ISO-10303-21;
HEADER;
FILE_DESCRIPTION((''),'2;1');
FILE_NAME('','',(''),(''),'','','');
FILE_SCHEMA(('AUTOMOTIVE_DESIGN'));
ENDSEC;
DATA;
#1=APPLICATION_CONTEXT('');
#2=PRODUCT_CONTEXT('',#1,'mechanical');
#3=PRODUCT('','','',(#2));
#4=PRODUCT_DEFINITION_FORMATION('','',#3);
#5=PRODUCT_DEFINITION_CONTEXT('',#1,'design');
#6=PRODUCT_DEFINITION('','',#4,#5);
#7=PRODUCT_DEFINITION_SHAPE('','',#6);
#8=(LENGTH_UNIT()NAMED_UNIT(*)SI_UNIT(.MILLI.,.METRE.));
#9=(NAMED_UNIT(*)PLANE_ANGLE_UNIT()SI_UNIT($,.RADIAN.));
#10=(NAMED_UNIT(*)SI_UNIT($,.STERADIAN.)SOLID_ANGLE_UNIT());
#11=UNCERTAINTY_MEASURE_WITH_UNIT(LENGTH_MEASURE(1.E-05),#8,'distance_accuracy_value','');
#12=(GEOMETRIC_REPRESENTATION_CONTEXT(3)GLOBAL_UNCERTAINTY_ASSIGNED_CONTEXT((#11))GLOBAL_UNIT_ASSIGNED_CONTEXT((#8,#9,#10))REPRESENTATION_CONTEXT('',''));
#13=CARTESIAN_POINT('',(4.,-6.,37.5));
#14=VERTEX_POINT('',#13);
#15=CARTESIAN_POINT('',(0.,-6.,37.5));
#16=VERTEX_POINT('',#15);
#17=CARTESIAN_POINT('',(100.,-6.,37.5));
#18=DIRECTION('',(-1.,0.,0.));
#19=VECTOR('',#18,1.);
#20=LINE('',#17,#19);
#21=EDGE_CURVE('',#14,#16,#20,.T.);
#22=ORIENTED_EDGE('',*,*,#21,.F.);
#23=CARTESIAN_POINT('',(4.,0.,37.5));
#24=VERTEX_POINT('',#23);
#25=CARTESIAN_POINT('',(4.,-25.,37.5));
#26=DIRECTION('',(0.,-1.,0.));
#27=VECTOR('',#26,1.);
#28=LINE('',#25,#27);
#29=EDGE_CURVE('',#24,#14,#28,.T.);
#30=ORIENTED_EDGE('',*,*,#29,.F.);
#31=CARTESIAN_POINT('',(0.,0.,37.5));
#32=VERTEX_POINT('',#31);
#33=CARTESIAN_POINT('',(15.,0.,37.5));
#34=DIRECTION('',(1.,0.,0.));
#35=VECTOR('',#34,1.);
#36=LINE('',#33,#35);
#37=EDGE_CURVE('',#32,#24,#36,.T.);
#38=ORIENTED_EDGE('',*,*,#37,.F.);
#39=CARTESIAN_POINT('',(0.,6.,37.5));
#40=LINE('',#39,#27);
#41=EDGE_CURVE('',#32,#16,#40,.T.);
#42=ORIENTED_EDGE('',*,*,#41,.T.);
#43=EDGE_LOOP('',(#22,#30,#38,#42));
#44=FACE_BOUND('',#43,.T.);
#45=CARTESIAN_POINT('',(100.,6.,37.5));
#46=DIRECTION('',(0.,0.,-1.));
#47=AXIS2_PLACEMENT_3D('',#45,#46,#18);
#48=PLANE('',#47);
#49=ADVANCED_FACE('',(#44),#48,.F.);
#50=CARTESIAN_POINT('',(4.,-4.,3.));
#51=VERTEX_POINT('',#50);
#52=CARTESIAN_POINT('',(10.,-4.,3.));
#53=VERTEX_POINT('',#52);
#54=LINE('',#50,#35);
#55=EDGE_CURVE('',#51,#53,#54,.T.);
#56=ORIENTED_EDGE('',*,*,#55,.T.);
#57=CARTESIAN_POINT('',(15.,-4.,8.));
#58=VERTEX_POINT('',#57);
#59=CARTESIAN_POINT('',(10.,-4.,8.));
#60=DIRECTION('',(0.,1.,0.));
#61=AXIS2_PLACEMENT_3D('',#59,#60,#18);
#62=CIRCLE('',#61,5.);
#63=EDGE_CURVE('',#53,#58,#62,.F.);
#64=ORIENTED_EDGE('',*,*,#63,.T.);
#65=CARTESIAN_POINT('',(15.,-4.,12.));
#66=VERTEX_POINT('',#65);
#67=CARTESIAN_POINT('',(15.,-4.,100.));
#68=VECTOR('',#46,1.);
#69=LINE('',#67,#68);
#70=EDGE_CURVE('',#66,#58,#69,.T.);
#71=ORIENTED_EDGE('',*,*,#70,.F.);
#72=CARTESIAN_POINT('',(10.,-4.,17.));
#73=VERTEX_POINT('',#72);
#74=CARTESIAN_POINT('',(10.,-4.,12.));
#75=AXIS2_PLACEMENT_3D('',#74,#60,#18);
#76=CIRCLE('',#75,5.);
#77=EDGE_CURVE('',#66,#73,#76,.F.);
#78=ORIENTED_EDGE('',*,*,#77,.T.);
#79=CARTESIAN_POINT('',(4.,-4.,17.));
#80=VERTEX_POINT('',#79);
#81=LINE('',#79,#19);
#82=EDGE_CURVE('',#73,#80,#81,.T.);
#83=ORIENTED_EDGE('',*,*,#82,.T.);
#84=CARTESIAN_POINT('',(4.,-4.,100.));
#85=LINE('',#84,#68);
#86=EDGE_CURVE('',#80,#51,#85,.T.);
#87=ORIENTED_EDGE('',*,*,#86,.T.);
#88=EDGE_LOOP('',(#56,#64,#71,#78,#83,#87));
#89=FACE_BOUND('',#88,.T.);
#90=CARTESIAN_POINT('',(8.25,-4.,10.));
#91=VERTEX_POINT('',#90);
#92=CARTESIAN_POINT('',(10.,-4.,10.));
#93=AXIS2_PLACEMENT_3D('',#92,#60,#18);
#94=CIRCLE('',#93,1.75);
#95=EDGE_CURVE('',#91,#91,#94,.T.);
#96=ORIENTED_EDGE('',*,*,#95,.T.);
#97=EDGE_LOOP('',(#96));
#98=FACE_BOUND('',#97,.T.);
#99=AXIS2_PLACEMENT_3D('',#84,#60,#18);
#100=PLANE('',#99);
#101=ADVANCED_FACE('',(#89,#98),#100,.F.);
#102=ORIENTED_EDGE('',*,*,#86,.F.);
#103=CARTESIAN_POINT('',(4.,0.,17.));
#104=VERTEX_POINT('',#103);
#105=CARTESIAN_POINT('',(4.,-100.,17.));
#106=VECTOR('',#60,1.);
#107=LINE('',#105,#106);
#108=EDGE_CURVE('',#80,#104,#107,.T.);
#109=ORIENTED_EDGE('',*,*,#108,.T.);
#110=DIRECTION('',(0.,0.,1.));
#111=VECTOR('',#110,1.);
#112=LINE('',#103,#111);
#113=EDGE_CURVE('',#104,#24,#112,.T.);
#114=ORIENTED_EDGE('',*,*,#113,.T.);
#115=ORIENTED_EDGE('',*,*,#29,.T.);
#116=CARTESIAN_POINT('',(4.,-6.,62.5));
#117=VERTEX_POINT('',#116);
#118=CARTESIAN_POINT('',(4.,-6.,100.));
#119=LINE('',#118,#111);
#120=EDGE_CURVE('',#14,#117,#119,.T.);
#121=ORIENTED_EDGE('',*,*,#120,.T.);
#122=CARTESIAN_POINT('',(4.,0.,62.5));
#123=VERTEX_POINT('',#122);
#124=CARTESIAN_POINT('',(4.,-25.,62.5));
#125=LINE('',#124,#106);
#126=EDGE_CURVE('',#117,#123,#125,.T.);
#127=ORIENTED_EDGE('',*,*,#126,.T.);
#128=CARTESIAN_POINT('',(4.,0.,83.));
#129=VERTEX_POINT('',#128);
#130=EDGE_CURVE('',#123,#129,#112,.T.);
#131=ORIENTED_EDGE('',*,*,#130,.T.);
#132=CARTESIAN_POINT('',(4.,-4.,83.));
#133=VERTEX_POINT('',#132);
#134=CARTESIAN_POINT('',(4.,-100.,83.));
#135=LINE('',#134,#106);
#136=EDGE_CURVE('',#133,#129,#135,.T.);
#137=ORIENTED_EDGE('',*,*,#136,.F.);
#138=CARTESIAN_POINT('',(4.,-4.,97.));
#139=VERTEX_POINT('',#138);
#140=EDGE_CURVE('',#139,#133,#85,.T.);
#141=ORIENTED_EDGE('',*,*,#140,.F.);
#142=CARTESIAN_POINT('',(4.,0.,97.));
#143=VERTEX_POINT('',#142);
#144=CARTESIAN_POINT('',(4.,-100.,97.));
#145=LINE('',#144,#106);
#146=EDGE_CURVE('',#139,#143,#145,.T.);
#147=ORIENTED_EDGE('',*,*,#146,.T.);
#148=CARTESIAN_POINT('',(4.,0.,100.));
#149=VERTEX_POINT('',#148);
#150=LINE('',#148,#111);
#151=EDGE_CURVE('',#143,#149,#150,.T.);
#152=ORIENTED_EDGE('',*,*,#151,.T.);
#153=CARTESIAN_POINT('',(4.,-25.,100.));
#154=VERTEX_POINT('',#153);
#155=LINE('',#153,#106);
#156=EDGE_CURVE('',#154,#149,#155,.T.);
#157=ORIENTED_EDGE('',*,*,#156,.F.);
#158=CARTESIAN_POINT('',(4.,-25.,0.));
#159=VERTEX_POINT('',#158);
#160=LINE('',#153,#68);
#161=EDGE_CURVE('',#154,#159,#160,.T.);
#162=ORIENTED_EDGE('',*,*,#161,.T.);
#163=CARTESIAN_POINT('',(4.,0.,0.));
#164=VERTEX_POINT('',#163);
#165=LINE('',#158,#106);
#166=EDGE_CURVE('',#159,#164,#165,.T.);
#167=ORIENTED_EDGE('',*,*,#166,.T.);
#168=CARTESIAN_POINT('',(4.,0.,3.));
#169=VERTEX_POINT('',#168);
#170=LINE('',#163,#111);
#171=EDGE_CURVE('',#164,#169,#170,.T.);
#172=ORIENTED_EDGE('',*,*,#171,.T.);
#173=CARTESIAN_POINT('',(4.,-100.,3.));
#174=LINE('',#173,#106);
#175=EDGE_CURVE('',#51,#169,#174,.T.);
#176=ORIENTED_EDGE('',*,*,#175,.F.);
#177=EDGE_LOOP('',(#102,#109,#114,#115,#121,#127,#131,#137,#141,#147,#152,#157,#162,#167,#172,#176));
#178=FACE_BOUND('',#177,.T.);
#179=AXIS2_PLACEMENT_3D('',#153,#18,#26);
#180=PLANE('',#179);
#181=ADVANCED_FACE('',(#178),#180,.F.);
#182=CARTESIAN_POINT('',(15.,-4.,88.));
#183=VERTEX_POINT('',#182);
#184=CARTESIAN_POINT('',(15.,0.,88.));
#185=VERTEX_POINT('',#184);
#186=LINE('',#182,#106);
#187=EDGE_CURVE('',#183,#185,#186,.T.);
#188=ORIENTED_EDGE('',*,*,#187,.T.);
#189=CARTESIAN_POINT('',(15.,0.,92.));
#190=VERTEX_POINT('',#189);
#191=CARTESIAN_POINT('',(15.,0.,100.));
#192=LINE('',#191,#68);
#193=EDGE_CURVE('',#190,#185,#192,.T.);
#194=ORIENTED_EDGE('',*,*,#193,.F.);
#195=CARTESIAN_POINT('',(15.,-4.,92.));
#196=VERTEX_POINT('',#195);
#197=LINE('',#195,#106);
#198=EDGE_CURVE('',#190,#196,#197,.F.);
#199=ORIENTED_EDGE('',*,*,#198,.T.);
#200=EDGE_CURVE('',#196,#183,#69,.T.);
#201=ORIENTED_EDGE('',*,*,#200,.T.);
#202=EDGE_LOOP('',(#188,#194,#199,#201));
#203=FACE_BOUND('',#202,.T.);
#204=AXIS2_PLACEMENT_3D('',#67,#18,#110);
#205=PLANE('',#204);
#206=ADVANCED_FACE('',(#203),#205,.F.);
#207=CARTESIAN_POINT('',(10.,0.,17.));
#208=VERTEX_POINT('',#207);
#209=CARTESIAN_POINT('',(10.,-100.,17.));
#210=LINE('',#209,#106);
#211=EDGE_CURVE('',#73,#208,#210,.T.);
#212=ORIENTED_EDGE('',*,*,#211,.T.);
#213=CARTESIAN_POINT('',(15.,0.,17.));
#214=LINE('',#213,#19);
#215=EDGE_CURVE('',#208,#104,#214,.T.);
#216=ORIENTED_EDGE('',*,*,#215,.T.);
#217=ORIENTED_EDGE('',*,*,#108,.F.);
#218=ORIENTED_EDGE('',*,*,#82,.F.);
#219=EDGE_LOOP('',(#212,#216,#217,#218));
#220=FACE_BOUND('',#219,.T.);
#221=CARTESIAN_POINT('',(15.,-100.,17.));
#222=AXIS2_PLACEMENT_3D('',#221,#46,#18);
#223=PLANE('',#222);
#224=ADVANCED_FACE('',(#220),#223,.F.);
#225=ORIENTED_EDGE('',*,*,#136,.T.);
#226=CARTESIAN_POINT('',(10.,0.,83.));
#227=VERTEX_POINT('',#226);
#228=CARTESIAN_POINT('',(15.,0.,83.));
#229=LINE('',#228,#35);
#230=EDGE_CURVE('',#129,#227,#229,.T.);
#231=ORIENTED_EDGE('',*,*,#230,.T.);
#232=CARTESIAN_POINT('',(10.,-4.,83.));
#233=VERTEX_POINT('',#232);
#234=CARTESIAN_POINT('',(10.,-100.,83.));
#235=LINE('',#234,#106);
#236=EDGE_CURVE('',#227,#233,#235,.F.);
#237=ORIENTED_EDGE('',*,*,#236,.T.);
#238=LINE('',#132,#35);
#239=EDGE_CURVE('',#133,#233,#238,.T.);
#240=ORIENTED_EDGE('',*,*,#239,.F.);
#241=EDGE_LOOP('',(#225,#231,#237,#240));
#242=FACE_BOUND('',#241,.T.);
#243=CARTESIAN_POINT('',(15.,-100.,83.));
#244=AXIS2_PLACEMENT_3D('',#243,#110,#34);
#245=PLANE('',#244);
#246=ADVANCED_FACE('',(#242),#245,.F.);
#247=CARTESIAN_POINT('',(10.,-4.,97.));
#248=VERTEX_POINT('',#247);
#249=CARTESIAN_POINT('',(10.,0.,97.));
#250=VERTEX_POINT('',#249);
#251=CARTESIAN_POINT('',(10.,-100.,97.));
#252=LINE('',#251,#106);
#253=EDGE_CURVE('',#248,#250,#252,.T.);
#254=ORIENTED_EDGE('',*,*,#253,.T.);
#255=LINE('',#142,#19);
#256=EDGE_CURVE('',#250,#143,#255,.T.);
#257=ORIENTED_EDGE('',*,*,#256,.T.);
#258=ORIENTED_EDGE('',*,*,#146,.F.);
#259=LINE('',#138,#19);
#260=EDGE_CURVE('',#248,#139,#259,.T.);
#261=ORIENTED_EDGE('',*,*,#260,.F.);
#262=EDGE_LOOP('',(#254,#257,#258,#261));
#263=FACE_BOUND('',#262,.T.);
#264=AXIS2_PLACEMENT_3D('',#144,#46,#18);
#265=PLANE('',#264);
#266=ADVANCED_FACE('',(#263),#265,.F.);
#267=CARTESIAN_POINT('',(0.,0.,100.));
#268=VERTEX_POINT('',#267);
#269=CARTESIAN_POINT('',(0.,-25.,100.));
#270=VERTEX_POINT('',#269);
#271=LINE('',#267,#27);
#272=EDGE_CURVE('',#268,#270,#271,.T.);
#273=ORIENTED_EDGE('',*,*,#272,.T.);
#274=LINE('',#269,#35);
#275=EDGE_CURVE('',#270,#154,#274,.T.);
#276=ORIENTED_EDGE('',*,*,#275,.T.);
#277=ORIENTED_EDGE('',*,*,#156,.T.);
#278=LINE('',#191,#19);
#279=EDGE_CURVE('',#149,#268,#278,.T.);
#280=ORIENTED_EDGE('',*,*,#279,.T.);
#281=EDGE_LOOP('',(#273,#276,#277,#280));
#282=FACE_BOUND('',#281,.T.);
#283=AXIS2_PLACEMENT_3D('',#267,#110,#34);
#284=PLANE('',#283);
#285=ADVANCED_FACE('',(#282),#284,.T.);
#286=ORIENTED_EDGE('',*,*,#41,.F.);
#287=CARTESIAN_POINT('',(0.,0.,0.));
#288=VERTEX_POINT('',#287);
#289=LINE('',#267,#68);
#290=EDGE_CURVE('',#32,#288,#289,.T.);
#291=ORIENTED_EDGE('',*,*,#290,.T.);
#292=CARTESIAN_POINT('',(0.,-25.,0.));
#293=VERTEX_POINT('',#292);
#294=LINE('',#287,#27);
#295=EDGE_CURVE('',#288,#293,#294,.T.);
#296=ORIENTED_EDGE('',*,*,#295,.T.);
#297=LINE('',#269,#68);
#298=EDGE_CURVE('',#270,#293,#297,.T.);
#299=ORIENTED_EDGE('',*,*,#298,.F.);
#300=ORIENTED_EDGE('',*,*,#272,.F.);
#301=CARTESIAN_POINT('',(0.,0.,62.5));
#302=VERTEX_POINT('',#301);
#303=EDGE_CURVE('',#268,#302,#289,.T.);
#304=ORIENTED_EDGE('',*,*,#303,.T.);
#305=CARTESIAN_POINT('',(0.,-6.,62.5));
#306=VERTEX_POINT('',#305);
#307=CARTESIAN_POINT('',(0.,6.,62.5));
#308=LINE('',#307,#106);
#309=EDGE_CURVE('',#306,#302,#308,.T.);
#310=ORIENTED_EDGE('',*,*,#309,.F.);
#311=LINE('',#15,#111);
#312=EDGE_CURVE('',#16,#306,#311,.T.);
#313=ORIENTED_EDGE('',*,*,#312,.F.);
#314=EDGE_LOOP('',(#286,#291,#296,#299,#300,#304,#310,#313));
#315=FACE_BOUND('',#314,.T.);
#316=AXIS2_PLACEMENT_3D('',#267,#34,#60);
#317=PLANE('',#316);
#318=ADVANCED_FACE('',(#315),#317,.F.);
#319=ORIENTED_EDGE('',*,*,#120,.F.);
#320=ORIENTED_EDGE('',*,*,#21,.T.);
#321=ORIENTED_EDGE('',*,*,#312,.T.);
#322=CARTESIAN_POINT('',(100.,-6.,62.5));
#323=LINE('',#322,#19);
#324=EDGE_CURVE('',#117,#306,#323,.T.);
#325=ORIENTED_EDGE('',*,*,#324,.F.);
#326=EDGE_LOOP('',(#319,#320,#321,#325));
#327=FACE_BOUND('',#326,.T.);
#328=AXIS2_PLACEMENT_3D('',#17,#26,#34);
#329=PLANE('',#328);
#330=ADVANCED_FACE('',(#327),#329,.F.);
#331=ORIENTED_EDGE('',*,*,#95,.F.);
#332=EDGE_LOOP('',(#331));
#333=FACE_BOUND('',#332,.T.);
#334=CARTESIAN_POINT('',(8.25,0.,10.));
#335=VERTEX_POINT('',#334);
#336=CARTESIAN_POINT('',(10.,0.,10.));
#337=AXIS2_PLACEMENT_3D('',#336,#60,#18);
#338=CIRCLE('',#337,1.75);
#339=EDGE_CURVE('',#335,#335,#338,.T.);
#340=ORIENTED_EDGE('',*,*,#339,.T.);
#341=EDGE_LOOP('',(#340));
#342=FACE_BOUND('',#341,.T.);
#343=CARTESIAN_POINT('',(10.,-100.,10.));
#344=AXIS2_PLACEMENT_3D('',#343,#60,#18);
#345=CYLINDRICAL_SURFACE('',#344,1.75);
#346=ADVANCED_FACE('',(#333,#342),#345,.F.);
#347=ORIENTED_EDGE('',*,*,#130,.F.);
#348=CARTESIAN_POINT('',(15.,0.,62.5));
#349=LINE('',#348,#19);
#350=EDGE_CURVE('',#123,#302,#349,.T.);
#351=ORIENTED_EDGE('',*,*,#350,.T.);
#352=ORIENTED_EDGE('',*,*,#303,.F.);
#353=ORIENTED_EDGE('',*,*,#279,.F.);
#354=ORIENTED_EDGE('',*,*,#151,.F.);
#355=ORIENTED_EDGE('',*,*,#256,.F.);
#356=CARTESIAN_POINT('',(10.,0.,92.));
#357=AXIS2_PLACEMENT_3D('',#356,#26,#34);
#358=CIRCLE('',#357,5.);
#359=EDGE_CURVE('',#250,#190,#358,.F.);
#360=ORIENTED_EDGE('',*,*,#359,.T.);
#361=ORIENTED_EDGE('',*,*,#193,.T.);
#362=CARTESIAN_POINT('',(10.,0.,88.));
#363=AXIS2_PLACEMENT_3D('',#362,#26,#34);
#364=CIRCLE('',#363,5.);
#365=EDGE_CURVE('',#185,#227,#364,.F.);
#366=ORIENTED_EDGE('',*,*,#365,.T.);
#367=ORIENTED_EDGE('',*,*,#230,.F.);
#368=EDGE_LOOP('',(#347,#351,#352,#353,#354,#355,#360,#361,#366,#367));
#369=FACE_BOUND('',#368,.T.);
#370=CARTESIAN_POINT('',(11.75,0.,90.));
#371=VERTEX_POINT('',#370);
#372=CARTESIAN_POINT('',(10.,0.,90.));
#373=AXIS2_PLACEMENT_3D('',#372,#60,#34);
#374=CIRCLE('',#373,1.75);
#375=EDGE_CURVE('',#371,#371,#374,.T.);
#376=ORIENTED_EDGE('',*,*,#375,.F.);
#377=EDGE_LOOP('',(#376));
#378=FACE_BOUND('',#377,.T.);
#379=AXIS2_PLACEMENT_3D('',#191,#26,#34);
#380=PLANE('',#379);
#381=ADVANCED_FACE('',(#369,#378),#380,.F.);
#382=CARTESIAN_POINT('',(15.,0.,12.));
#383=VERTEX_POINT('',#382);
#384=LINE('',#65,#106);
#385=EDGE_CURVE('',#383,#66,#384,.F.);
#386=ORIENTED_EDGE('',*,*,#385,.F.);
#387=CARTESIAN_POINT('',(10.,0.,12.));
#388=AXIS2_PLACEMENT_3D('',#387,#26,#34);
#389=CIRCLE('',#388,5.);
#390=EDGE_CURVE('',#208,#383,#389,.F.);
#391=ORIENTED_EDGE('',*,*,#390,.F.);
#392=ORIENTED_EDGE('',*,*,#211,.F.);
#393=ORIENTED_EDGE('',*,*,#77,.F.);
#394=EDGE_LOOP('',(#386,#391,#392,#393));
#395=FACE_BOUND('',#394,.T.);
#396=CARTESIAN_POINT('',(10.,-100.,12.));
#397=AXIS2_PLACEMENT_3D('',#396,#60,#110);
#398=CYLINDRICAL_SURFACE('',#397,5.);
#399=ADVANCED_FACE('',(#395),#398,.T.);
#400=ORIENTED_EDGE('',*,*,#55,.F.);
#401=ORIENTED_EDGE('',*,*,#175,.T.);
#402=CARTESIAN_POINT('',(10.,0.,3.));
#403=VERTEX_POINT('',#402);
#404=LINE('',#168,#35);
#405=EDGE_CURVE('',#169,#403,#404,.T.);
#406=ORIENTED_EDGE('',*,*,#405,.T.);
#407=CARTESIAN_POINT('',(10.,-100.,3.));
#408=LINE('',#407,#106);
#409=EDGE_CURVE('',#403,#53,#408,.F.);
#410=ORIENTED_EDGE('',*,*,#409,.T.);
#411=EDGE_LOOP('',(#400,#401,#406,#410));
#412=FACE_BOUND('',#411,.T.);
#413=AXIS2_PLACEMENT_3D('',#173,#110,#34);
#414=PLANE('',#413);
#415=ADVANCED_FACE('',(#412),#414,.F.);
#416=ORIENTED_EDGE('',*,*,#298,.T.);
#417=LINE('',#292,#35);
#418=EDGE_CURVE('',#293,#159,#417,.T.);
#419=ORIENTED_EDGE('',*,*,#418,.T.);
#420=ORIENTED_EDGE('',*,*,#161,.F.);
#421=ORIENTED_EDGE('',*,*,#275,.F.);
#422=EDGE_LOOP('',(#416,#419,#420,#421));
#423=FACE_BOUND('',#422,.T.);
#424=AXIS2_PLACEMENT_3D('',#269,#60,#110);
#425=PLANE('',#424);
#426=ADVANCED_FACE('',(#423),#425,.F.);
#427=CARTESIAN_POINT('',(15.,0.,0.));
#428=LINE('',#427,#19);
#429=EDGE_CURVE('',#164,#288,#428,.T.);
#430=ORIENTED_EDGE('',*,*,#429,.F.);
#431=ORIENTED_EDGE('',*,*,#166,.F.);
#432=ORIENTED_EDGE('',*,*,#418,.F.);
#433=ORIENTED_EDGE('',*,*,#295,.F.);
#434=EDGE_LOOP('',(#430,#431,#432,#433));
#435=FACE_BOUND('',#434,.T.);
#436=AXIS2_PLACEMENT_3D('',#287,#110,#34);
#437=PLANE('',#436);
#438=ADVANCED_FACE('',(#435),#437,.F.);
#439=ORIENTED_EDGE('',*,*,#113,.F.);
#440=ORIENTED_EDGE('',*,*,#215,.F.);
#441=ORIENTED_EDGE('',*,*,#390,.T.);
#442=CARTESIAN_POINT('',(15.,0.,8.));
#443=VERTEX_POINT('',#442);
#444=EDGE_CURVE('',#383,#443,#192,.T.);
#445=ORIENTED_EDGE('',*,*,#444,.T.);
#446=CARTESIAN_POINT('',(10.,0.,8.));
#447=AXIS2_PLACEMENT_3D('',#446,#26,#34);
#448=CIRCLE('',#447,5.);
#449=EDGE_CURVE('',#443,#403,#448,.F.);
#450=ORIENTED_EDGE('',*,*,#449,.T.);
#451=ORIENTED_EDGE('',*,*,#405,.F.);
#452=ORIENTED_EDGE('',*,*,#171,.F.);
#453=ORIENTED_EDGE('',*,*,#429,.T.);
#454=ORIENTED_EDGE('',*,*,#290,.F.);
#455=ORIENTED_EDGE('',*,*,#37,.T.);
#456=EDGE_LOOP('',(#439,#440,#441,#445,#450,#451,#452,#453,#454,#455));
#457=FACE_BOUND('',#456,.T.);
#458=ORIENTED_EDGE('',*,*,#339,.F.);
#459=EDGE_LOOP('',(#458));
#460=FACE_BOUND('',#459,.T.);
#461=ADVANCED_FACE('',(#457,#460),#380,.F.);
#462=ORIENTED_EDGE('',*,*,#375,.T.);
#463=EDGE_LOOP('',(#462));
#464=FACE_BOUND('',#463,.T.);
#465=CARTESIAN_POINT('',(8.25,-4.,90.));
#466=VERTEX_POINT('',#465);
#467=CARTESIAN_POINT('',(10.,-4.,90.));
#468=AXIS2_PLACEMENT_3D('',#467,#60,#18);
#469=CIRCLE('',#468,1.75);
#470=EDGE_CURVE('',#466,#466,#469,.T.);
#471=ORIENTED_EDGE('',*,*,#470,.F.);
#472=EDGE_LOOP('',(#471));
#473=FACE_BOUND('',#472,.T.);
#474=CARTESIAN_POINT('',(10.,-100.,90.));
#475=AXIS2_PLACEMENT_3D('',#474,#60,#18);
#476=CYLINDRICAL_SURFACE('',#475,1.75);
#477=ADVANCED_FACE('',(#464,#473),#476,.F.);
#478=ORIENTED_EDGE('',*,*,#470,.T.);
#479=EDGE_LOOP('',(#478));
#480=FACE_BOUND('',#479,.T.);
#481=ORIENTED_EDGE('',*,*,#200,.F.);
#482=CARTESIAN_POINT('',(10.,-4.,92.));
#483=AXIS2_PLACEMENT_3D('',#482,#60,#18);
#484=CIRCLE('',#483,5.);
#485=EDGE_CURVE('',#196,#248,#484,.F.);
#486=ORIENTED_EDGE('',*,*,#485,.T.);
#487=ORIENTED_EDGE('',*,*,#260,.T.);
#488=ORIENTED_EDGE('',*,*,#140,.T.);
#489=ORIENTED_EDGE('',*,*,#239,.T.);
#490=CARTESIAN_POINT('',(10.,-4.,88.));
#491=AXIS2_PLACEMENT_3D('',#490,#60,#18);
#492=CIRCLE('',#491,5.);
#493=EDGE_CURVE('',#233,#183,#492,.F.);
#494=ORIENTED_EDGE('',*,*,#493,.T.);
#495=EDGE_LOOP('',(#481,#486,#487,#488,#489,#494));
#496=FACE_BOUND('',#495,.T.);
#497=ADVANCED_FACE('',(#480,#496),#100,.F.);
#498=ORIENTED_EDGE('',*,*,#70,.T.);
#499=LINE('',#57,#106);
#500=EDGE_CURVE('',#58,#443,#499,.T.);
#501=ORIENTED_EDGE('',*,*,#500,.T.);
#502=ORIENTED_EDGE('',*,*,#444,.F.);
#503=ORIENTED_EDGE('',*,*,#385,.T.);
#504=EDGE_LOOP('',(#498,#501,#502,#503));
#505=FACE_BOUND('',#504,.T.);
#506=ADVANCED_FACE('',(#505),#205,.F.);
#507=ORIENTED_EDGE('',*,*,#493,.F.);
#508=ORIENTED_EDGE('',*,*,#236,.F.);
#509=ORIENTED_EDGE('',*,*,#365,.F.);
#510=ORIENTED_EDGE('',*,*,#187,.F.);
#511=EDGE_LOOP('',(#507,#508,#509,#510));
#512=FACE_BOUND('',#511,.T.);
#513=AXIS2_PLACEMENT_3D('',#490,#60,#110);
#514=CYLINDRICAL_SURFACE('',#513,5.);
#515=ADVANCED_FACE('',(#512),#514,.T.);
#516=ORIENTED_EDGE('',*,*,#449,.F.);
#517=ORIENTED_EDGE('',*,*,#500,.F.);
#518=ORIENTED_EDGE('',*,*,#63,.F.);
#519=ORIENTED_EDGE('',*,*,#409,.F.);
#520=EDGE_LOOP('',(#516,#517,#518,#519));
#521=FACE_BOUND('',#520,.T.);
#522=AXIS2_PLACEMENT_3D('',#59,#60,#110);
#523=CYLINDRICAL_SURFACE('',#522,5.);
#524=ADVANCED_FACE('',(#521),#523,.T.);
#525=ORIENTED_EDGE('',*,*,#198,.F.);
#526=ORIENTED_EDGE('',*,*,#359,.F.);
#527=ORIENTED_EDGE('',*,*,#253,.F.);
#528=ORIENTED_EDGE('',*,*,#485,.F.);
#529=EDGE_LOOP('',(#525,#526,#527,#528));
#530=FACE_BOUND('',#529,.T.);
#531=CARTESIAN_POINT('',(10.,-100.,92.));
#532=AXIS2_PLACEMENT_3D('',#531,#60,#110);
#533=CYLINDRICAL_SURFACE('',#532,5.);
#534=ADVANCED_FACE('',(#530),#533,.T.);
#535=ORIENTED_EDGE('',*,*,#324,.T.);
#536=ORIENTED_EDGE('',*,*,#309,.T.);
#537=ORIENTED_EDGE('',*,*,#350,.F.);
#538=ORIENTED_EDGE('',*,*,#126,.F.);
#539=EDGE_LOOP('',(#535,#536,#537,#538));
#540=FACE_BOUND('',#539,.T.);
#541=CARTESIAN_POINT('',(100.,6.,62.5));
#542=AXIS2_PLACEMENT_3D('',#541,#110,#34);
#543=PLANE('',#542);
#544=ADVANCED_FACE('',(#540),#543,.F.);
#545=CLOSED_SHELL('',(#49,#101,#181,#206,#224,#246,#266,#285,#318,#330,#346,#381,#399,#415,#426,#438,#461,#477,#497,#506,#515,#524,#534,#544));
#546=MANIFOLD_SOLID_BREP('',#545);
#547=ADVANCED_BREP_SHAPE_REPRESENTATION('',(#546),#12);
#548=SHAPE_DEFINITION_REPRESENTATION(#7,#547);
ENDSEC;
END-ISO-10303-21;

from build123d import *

# Parameters (mm, degrees)
RESSALTO_EXTRUS_O1_DEPTH = 100
ESBO_O2_R                = 1.75
ESBO_O2_W                = 11
ESBO_O2_H                = 3
ESBO_O2_H_2              = 66
CORTE_EXTRUS_O1_DEPTH    = 100
FILETE1_R                = 5
ESBO_O3_W                = 25
ESBO_O3_H                = 12
CORTE_EXTRUS_O2_DEPTH    = 100


with BuildPart() as part:
    # Esboço1 → Ressalto-extrusão1 (new body)
    with BuildSketch(Plane.XY):
        Polygon((15, 0), (0, 0), (0, -25), (4, -25), (4, -4), (15, -4), align=None)
    extrude(amount=RESSALTO_EXTRUS_O1_DEPTH)

    # Esboço2 → Corte-extrusão1 (cut)
    with BuildSketch(Plane(origin=(0, 0, 0), x_dir=(1, 0, 0), z_dir=(0, 1, 0))):
        with Locations((10, -10)):
            Circle(ESBO_O2_R)
        with Locations((10, -90)):
            Circle(ESBO_O2_R)
        with Locations((9.5, -1.5)):
            Rectangle(ESBO_O2_W, ESBO_O2_H)
        with Locations((9.5, -50)):
            Rectangle(ESBO_O2_W, ESBO_O2_H_2)
        with Locations((9.5, -98.5)):
            Rectangle(ESBO_O2_W, ESBO_O2_H)
    extrude(amount=-CORTE_EXTRUS_O1_DEPTH, mode=Mode.SUBTRACT)

    # Filete1
    filete1_edges = [part.edges().sort_by_distance(p)[0] for p in [
        (15, -2, 97),
        (15, -2, 3),
        (15, -2, 17),
        (15, -2, 83),
    ]]
    fillet(filete1_edges, radius=FILETE1_R)

    # Esboço3 → Corte-extrusão2 (cut)
    with BuildSketch(Plane.ZY):
        with Locations((50, 0)):
            Rectangle(ESBO_O3_W, ESBO_O3_H)
    extrude(amount=-CORTE_EXTRUS_O2_DEPTH, mode=Mode.SUBTRACT)


solid = part.part
